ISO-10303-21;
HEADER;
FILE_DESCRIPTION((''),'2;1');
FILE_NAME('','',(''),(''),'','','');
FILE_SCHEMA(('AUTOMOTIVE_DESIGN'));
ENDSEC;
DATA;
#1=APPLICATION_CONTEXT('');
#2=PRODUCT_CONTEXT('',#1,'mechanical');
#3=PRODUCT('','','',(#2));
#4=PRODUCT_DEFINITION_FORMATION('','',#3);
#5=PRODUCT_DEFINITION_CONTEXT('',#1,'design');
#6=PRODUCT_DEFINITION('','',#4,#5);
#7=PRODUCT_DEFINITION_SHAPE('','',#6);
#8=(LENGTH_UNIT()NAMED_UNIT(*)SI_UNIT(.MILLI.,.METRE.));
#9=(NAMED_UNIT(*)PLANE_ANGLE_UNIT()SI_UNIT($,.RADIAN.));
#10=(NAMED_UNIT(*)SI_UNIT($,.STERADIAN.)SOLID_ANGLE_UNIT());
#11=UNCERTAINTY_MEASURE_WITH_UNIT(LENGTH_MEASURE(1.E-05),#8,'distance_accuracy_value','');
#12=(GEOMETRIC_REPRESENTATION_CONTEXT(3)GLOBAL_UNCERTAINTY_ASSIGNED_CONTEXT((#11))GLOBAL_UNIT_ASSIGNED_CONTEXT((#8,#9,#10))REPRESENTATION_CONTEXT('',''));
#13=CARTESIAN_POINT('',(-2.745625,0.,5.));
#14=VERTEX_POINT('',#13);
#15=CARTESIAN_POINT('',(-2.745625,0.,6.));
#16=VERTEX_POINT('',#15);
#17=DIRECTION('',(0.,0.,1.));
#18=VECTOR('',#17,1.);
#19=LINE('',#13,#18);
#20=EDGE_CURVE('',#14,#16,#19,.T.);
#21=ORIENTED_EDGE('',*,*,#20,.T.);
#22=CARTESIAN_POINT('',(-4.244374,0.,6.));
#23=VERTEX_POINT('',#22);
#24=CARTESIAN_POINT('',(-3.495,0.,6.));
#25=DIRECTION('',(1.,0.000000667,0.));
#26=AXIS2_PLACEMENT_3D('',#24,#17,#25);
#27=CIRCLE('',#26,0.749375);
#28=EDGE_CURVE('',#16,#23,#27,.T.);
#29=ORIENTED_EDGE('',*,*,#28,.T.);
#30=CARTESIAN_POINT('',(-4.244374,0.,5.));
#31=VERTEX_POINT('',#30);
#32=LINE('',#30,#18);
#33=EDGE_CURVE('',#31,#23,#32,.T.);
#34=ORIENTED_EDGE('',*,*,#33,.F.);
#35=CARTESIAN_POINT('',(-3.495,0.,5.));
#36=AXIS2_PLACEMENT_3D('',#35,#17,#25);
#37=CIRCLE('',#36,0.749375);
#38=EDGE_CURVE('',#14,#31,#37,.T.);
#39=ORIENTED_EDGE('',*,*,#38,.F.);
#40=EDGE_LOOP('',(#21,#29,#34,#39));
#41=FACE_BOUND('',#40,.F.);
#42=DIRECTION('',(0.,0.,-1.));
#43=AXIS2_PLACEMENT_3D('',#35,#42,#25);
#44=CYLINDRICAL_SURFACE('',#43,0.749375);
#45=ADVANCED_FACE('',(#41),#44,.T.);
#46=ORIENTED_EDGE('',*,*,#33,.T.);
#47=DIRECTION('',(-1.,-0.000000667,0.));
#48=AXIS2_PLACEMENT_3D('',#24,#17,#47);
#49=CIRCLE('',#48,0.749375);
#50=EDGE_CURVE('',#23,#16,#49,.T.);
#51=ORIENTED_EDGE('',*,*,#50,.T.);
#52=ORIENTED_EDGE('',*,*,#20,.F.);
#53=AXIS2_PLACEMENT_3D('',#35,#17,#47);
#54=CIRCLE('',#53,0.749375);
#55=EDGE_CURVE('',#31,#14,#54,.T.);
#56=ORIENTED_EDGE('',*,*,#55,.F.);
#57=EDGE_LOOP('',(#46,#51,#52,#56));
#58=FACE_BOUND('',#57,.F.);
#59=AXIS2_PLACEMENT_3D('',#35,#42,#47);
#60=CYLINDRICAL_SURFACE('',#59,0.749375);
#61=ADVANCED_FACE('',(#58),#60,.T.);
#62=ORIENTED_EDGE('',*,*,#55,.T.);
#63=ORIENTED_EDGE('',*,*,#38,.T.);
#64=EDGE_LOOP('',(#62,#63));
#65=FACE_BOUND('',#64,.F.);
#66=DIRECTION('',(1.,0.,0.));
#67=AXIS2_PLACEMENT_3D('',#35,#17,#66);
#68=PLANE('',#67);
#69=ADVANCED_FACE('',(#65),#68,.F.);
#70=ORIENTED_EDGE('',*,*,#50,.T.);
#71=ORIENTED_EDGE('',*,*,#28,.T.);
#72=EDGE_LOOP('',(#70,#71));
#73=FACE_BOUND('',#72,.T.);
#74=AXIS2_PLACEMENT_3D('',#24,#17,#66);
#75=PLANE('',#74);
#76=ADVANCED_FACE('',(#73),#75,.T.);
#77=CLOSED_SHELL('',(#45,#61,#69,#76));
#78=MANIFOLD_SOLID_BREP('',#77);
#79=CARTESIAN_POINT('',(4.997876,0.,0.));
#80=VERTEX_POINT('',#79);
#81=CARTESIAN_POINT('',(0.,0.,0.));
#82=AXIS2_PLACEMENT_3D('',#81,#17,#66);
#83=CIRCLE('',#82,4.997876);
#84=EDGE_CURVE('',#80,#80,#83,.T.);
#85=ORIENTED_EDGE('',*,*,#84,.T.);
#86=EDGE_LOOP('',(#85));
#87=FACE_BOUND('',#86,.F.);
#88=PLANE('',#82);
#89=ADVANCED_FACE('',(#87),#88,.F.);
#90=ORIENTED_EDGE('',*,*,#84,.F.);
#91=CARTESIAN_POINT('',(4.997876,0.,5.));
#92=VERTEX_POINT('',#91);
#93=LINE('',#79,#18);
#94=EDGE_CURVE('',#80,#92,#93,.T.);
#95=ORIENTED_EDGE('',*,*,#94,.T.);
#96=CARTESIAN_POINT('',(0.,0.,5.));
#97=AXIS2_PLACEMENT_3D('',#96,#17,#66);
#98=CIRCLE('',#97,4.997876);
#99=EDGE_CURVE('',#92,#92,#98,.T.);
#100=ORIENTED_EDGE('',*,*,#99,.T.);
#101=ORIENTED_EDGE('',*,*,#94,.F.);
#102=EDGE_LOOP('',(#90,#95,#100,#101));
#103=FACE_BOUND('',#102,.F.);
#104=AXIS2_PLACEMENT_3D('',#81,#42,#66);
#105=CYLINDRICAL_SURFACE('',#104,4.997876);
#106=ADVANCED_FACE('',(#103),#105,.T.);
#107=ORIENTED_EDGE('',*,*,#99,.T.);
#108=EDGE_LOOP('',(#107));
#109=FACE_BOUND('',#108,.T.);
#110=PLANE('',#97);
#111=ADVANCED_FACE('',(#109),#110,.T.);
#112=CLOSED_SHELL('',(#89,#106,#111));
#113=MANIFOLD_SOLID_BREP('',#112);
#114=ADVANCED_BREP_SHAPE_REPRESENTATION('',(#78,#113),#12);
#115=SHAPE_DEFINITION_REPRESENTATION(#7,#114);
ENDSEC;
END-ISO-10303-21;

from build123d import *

# Parameters (mm, degrees)
F1_DEPTH = 5
F3_DEPTH = 1


with BuildPart() as f1:
    # F0 (on Top) → F1 (new body)
    with BuildSketch(Plane.XY):
        with BuildLine():
            ThreePointArc((-4.997876, 0), (0, -4.997876), (4.997876, 0))
            ThreePointArc((4.997876, 0), (0, 4.997876), (-4.997876, 0))
        make_face()
    extrude(amount=F1_DEPTH)


with BuildPart() as f3:
    # F2 (on face) → F3 (new body)
    with BuildSketch(Plane.XY.offset(5)):
        with BuildLine():
            ThreePointArc((-2.745625, 0), (-3.494999, 0.749374), (-4.244374, 0))
            ThreePointArc((-4.244374, 0), (-3.494999, -0.749374), (-2.745625, 0))
        make_face()
    extrude(amount=F3_DEPTH)


solid = Compound([f1.part, f3.part])
